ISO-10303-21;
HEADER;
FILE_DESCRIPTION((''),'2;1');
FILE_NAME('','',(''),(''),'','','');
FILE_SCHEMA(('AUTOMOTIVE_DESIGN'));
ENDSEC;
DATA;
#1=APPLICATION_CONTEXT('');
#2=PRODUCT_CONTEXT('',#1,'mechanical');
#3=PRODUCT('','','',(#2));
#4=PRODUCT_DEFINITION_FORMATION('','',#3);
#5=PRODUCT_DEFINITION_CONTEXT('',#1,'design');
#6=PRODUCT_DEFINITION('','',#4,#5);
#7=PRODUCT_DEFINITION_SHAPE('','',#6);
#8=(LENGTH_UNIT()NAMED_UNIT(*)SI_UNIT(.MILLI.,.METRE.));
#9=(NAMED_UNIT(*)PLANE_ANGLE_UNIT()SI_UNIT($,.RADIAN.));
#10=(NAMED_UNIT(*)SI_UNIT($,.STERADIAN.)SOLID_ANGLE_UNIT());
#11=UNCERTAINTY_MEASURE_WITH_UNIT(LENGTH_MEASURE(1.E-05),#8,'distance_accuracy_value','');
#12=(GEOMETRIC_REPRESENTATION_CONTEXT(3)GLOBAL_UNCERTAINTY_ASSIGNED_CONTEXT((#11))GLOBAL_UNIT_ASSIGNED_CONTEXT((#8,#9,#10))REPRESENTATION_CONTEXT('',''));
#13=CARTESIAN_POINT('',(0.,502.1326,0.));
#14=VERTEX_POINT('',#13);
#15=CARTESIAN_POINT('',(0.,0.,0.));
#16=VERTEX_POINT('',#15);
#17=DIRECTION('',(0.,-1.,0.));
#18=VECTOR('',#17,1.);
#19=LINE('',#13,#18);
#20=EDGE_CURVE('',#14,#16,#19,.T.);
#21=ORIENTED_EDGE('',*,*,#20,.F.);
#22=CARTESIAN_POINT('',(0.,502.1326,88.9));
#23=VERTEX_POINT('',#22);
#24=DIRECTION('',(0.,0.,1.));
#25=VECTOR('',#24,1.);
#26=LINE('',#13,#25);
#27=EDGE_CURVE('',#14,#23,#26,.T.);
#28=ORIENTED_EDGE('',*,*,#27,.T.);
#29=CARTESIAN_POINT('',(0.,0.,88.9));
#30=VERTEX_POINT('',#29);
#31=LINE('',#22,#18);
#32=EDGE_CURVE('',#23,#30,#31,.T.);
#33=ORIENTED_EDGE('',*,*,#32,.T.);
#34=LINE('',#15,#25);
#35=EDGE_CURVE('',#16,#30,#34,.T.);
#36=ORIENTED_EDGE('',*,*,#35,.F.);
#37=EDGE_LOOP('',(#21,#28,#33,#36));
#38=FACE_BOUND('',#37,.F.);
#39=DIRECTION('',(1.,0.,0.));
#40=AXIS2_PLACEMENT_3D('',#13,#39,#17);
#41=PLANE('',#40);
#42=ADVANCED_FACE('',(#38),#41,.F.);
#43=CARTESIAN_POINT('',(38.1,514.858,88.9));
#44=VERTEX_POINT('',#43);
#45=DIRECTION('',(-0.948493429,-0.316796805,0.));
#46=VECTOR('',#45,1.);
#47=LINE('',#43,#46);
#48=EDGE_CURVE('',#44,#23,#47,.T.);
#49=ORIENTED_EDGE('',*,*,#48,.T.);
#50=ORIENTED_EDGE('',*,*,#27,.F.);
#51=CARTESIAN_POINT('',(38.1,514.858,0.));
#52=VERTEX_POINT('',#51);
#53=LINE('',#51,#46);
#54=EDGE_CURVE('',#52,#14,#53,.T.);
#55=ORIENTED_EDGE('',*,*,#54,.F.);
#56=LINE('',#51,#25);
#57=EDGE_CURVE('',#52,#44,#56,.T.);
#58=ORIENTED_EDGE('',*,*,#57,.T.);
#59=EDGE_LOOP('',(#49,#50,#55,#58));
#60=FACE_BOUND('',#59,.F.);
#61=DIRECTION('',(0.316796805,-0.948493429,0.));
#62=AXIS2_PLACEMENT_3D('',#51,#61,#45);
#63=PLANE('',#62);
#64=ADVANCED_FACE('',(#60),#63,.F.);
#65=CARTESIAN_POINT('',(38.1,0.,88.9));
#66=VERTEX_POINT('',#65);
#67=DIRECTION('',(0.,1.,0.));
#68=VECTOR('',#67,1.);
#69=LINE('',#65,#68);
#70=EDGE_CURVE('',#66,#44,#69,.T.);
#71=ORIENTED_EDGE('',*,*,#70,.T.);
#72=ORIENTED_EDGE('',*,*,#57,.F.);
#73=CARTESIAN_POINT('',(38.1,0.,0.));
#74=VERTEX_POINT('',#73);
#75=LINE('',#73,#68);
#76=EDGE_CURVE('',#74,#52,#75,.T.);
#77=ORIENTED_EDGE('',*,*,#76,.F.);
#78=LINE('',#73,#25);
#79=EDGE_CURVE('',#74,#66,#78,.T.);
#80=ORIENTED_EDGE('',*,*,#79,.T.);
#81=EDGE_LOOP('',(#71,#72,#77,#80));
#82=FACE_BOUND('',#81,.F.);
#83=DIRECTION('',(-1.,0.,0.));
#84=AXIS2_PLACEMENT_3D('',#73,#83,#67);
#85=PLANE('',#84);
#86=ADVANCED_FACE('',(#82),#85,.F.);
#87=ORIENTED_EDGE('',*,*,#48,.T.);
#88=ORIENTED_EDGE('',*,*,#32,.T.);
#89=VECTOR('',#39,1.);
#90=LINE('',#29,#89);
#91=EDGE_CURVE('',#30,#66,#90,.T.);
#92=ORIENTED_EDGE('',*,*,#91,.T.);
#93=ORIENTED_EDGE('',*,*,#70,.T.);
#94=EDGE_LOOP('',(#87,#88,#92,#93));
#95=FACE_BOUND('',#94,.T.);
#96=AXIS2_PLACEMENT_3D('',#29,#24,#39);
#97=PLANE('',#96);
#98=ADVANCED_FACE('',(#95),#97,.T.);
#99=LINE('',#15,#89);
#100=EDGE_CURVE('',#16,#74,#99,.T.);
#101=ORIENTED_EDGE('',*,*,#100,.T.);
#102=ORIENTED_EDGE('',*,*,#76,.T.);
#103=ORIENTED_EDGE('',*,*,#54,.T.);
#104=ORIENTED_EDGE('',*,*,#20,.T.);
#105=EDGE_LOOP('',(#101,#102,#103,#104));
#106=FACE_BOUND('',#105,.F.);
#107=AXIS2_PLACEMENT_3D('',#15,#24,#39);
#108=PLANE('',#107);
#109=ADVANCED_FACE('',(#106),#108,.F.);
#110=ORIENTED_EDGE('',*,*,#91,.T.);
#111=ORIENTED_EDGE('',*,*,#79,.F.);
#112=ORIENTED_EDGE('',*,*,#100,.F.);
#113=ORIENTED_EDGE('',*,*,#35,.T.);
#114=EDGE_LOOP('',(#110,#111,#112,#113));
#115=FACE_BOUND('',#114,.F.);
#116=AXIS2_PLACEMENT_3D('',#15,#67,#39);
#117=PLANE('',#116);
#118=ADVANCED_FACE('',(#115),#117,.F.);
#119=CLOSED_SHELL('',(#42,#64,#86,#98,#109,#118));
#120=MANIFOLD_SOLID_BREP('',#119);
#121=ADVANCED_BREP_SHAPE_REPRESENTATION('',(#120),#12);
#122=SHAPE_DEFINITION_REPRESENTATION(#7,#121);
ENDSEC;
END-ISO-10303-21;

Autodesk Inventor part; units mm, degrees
ref_plane "YZ Plane" through (0, 0, 0) normal (1, 0, 0) x (0, 1, 0)
ref_plane "XZ Plane" through (0, 0, 0) normal (0, 1, 0) x (-1, 0, 0)
ref_plane "XY Plane" through (0, 0, 0) normal (0, 0, 1) x (1, 0, 0)
sketch "Sketch1" plane through (0, 0, 0) normal (0, 0, 1) x (1, 0, 0)
  line L0 (0, 0) -> (38.1, 0)
  line L1 (38.1, 0) -> (38.1, 514.858)
  line L2 (38.1, 514.858) -> (0, 502.1326)
  line L3 (0, 502.1326) -> (0, 0)
  dimension "d2" = 38.1
  dimension "d5" = 502.1326
  dimension "d6" = 514.858
extrude "Extrusion1" add sketch "Sketch1" along normal blind 88.9
properties part number "Stud_Between_Top_Plate_And_Rafter_4" material "Wood (Birch)"
